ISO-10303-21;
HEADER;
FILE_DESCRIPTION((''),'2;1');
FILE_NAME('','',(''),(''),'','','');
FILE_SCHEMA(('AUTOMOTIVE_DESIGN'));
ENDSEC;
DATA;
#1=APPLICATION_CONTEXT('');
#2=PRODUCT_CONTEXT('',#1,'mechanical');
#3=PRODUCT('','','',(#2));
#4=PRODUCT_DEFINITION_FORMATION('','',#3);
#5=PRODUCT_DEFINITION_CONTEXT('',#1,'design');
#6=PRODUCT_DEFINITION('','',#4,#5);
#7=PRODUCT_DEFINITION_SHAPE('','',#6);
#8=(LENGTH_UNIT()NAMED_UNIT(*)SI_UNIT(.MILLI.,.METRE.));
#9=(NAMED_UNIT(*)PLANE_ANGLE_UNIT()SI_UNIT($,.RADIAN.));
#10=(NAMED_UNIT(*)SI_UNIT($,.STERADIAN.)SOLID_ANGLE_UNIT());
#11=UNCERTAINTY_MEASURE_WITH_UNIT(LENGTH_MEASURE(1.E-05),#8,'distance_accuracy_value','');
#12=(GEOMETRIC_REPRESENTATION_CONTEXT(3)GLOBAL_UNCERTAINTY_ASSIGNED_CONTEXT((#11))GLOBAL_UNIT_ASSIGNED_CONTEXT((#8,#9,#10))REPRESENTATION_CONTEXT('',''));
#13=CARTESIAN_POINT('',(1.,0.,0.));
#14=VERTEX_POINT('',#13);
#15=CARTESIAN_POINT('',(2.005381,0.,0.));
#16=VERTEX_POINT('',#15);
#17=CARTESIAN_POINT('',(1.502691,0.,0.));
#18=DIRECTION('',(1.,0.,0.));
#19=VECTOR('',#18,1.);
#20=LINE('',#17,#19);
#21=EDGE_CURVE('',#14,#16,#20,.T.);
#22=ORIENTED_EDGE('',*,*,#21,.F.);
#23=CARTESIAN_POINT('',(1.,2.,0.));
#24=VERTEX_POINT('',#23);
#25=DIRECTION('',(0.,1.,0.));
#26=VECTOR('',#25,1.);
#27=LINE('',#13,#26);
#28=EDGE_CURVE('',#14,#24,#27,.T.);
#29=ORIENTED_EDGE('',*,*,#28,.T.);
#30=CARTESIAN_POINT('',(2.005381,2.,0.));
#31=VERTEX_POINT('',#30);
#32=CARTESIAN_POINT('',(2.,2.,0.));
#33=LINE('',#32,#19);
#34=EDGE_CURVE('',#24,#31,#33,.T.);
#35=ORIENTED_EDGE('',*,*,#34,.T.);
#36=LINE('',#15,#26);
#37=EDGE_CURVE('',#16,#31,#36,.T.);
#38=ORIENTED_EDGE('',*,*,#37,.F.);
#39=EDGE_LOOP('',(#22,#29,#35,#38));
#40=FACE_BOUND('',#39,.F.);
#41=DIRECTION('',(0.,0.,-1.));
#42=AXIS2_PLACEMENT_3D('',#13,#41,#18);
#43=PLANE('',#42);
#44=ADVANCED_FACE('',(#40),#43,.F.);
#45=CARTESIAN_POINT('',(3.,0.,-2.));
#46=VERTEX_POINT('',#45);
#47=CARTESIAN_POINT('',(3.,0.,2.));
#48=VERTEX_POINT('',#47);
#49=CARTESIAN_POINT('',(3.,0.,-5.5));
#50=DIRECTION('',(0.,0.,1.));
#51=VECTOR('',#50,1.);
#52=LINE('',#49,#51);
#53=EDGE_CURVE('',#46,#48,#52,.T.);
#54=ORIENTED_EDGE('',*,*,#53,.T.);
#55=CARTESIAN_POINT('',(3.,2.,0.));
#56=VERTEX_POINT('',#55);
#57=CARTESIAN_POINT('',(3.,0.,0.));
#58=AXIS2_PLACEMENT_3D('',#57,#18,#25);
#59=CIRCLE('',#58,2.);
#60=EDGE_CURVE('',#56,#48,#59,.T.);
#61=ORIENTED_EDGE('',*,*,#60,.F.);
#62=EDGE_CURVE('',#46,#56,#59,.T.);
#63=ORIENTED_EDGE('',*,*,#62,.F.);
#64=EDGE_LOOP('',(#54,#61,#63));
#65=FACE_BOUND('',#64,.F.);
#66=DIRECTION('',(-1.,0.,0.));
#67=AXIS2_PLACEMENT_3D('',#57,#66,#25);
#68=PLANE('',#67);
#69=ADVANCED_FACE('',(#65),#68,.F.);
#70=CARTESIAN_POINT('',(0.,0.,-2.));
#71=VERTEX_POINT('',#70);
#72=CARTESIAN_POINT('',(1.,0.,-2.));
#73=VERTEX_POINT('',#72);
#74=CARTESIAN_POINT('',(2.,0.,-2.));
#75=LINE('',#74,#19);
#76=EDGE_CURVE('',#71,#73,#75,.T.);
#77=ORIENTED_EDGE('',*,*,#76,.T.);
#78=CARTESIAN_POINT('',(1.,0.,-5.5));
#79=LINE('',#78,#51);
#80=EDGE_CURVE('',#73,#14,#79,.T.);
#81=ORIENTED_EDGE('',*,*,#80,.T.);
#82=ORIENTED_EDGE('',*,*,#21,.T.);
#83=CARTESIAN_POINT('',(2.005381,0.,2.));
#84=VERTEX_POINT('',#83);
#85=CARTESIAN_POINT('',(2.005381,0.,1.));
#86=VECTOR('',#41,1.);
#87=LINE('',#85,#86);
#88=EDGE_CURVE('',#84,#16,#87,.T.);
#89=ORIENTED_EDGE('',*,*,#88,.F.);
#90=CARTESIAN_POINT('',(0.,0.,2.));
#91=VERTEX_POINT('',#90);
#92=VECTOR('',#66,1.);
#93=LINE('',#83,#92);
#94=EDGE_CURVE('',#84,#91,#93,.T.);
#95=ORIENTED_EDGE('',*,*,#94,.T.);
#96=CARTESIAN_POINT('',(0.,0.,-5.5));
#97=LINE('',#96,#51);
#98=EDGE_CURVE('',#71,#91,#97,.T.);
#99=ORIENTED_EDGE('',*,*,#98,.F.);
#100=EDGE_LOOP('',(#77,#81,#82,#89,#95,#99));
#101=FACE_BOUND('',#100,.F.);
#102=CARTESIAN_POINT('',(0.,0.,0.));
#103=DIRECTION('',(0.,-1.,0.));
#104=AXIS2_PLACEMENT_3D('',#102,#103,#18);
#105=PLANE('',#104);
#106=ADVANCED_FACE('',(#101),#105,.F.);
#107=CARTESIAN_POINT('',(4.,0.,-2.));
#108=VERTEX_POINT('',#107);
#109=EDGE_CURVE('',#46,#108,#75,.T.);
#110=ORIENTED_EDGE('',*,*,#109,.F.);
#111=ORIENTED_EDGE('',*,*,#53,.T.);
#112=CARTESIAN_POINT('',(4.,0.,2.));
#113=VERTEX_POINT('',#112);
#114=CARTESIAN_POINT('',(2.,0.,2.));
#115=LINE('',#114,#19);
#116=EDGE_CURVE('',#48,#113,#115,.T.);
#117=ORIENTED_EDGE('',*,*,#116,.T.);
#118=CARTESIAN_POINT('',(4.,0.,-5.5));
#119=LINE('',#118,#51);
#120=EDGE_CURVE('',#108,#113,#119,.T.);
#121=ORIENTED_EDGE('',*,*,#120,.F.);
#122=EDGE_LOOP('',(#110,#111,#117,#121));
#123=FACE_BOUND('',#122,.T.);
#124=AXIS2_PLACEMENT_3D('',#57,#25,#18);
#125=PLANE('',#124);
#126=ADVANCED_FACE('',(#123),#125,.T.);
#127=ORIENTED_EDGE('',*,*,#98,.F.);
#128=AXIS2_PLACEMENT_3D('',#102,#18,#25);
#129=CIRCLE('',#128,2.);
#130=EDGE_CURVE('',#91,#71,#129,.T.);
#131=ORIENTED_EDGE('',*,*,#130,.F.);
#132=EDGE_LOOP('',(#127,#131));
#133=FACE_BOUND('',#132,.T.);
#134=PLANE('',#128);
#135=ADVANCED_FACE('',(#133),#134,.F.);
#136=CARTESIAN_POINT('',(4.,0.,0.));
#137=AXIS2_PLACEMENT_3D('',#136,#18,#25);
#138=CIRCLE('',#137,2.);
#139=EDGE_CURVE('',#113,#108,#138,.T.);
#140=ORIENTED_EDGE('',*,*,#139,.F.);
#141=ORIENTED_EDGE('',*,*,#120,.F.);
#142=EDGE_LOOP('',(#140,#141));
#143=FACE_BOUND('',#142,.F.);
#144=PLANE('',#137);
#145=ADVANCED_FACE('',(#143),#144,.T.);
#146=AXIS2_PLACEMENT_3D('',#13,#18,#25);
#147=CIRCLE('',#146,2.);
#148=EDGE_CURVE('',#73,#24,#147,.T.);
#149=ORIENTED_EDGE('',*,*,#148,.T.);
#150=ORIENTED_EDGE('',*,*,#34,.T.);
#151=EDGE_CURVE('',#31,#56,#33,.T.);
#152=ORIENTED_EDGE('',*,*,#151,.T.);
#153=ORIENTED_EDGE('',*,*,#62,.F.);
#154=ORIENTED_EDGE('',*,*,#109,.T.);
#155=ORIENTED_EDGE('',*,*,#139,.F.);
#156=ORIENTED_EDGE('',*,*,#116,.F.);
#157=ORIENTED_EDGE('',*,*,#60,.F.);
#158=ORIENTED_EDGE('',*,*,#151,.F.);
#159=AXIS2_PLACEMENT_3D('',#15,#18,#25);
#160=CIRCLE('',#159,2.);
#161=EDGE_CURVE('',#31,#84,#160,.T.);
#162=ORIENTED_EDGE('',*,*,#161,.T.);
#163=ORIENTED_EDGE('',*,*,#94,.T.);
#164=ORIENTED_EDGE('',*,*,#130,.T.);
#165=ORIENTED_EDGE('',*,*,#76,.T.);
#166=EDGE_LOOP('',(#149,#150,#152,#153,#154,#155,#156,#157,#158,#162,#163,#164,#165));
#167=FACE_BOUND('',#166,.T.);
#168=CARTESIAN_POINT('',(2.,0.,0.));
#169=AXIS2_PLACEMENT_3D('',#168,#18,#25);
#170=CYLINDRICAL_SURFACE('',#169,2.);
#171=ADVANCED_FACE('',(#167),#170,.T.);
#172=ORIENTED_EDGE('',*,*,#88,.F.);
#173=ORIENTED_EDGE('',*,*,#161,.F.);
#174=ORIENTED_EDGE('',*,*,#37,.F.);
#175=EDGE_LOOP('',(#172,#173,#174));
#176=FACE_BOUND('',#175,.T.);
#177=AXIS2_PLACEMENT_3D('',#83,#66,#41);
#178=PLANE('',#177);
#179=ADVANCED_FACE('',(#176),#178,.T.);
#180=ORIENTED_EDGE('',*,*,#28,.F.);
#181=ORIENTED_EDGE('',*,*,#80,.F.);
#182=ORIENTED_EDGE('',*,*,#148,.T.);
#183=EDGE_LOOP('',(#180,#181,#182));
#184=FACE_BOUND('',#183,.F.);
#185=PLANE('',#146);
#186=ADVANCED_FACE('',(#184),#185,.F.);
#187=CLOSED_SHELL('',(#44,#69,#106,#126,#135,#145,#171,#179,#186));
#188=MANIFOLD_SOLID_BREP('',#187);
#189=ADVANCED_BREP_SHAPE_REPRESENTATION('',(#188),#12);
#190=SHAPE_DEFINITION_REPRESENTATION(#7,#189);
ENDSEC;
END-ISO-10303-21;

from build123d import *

# Parameters (mm, degrees)
SKETCH5_W          = 4
SKETCH5_H          = 2
SKETCH6_W          = 1
SKETCH6_H          = 2
CUT_EXTRUDE5_DEPTH = 5.5
SKETCH7_W          = 1.005381091
SKETCH7_H          = 2
CUT_EXTRUDE6_DEPTH = 3


with BuildPart() as part:
    # Sketch5 → Revolve-Thin2 (revolve)
    with BuildSketch(Plane.XY):
        with Locations((2, 1)):
            Rectangle(SKETCH5_W, SKETCH5_H)
    revolve(axis=Axis((0, 0, 0), (1, 0, 0)))

    # Sketch6 → Cut-Extrude5 (cut, symmetric)
    with BuildSketch(Plane.XY):
        with Locations((3.5, 1)):
            Rectangle(SKETCH6_W, SKETCH6_H)
        with Locations((0.5, 1)):
            Rectangle(SKETCH6_W, SKETCH6_H)
    extrude(amount=CUT_EXTRUDE5_DEPTH, both=True, mode=Mode.SUBTRACT)

    # Sketch7 → Cut-Extrude6 (cut)
    with BuildSketch(Plane(origin=(0, 0, 0), x_dir=(1, 0, 0), z_dir=(0, 1, 0))):
        with Locations((1.502690546, -1)):
            Rectangle(SKETCH7_W, SKETCH7_H)
    extrude(amount=CUT_EXTRUDE6_DEPTH, mode=Mode.SUBTRACT)


solid = part.part
